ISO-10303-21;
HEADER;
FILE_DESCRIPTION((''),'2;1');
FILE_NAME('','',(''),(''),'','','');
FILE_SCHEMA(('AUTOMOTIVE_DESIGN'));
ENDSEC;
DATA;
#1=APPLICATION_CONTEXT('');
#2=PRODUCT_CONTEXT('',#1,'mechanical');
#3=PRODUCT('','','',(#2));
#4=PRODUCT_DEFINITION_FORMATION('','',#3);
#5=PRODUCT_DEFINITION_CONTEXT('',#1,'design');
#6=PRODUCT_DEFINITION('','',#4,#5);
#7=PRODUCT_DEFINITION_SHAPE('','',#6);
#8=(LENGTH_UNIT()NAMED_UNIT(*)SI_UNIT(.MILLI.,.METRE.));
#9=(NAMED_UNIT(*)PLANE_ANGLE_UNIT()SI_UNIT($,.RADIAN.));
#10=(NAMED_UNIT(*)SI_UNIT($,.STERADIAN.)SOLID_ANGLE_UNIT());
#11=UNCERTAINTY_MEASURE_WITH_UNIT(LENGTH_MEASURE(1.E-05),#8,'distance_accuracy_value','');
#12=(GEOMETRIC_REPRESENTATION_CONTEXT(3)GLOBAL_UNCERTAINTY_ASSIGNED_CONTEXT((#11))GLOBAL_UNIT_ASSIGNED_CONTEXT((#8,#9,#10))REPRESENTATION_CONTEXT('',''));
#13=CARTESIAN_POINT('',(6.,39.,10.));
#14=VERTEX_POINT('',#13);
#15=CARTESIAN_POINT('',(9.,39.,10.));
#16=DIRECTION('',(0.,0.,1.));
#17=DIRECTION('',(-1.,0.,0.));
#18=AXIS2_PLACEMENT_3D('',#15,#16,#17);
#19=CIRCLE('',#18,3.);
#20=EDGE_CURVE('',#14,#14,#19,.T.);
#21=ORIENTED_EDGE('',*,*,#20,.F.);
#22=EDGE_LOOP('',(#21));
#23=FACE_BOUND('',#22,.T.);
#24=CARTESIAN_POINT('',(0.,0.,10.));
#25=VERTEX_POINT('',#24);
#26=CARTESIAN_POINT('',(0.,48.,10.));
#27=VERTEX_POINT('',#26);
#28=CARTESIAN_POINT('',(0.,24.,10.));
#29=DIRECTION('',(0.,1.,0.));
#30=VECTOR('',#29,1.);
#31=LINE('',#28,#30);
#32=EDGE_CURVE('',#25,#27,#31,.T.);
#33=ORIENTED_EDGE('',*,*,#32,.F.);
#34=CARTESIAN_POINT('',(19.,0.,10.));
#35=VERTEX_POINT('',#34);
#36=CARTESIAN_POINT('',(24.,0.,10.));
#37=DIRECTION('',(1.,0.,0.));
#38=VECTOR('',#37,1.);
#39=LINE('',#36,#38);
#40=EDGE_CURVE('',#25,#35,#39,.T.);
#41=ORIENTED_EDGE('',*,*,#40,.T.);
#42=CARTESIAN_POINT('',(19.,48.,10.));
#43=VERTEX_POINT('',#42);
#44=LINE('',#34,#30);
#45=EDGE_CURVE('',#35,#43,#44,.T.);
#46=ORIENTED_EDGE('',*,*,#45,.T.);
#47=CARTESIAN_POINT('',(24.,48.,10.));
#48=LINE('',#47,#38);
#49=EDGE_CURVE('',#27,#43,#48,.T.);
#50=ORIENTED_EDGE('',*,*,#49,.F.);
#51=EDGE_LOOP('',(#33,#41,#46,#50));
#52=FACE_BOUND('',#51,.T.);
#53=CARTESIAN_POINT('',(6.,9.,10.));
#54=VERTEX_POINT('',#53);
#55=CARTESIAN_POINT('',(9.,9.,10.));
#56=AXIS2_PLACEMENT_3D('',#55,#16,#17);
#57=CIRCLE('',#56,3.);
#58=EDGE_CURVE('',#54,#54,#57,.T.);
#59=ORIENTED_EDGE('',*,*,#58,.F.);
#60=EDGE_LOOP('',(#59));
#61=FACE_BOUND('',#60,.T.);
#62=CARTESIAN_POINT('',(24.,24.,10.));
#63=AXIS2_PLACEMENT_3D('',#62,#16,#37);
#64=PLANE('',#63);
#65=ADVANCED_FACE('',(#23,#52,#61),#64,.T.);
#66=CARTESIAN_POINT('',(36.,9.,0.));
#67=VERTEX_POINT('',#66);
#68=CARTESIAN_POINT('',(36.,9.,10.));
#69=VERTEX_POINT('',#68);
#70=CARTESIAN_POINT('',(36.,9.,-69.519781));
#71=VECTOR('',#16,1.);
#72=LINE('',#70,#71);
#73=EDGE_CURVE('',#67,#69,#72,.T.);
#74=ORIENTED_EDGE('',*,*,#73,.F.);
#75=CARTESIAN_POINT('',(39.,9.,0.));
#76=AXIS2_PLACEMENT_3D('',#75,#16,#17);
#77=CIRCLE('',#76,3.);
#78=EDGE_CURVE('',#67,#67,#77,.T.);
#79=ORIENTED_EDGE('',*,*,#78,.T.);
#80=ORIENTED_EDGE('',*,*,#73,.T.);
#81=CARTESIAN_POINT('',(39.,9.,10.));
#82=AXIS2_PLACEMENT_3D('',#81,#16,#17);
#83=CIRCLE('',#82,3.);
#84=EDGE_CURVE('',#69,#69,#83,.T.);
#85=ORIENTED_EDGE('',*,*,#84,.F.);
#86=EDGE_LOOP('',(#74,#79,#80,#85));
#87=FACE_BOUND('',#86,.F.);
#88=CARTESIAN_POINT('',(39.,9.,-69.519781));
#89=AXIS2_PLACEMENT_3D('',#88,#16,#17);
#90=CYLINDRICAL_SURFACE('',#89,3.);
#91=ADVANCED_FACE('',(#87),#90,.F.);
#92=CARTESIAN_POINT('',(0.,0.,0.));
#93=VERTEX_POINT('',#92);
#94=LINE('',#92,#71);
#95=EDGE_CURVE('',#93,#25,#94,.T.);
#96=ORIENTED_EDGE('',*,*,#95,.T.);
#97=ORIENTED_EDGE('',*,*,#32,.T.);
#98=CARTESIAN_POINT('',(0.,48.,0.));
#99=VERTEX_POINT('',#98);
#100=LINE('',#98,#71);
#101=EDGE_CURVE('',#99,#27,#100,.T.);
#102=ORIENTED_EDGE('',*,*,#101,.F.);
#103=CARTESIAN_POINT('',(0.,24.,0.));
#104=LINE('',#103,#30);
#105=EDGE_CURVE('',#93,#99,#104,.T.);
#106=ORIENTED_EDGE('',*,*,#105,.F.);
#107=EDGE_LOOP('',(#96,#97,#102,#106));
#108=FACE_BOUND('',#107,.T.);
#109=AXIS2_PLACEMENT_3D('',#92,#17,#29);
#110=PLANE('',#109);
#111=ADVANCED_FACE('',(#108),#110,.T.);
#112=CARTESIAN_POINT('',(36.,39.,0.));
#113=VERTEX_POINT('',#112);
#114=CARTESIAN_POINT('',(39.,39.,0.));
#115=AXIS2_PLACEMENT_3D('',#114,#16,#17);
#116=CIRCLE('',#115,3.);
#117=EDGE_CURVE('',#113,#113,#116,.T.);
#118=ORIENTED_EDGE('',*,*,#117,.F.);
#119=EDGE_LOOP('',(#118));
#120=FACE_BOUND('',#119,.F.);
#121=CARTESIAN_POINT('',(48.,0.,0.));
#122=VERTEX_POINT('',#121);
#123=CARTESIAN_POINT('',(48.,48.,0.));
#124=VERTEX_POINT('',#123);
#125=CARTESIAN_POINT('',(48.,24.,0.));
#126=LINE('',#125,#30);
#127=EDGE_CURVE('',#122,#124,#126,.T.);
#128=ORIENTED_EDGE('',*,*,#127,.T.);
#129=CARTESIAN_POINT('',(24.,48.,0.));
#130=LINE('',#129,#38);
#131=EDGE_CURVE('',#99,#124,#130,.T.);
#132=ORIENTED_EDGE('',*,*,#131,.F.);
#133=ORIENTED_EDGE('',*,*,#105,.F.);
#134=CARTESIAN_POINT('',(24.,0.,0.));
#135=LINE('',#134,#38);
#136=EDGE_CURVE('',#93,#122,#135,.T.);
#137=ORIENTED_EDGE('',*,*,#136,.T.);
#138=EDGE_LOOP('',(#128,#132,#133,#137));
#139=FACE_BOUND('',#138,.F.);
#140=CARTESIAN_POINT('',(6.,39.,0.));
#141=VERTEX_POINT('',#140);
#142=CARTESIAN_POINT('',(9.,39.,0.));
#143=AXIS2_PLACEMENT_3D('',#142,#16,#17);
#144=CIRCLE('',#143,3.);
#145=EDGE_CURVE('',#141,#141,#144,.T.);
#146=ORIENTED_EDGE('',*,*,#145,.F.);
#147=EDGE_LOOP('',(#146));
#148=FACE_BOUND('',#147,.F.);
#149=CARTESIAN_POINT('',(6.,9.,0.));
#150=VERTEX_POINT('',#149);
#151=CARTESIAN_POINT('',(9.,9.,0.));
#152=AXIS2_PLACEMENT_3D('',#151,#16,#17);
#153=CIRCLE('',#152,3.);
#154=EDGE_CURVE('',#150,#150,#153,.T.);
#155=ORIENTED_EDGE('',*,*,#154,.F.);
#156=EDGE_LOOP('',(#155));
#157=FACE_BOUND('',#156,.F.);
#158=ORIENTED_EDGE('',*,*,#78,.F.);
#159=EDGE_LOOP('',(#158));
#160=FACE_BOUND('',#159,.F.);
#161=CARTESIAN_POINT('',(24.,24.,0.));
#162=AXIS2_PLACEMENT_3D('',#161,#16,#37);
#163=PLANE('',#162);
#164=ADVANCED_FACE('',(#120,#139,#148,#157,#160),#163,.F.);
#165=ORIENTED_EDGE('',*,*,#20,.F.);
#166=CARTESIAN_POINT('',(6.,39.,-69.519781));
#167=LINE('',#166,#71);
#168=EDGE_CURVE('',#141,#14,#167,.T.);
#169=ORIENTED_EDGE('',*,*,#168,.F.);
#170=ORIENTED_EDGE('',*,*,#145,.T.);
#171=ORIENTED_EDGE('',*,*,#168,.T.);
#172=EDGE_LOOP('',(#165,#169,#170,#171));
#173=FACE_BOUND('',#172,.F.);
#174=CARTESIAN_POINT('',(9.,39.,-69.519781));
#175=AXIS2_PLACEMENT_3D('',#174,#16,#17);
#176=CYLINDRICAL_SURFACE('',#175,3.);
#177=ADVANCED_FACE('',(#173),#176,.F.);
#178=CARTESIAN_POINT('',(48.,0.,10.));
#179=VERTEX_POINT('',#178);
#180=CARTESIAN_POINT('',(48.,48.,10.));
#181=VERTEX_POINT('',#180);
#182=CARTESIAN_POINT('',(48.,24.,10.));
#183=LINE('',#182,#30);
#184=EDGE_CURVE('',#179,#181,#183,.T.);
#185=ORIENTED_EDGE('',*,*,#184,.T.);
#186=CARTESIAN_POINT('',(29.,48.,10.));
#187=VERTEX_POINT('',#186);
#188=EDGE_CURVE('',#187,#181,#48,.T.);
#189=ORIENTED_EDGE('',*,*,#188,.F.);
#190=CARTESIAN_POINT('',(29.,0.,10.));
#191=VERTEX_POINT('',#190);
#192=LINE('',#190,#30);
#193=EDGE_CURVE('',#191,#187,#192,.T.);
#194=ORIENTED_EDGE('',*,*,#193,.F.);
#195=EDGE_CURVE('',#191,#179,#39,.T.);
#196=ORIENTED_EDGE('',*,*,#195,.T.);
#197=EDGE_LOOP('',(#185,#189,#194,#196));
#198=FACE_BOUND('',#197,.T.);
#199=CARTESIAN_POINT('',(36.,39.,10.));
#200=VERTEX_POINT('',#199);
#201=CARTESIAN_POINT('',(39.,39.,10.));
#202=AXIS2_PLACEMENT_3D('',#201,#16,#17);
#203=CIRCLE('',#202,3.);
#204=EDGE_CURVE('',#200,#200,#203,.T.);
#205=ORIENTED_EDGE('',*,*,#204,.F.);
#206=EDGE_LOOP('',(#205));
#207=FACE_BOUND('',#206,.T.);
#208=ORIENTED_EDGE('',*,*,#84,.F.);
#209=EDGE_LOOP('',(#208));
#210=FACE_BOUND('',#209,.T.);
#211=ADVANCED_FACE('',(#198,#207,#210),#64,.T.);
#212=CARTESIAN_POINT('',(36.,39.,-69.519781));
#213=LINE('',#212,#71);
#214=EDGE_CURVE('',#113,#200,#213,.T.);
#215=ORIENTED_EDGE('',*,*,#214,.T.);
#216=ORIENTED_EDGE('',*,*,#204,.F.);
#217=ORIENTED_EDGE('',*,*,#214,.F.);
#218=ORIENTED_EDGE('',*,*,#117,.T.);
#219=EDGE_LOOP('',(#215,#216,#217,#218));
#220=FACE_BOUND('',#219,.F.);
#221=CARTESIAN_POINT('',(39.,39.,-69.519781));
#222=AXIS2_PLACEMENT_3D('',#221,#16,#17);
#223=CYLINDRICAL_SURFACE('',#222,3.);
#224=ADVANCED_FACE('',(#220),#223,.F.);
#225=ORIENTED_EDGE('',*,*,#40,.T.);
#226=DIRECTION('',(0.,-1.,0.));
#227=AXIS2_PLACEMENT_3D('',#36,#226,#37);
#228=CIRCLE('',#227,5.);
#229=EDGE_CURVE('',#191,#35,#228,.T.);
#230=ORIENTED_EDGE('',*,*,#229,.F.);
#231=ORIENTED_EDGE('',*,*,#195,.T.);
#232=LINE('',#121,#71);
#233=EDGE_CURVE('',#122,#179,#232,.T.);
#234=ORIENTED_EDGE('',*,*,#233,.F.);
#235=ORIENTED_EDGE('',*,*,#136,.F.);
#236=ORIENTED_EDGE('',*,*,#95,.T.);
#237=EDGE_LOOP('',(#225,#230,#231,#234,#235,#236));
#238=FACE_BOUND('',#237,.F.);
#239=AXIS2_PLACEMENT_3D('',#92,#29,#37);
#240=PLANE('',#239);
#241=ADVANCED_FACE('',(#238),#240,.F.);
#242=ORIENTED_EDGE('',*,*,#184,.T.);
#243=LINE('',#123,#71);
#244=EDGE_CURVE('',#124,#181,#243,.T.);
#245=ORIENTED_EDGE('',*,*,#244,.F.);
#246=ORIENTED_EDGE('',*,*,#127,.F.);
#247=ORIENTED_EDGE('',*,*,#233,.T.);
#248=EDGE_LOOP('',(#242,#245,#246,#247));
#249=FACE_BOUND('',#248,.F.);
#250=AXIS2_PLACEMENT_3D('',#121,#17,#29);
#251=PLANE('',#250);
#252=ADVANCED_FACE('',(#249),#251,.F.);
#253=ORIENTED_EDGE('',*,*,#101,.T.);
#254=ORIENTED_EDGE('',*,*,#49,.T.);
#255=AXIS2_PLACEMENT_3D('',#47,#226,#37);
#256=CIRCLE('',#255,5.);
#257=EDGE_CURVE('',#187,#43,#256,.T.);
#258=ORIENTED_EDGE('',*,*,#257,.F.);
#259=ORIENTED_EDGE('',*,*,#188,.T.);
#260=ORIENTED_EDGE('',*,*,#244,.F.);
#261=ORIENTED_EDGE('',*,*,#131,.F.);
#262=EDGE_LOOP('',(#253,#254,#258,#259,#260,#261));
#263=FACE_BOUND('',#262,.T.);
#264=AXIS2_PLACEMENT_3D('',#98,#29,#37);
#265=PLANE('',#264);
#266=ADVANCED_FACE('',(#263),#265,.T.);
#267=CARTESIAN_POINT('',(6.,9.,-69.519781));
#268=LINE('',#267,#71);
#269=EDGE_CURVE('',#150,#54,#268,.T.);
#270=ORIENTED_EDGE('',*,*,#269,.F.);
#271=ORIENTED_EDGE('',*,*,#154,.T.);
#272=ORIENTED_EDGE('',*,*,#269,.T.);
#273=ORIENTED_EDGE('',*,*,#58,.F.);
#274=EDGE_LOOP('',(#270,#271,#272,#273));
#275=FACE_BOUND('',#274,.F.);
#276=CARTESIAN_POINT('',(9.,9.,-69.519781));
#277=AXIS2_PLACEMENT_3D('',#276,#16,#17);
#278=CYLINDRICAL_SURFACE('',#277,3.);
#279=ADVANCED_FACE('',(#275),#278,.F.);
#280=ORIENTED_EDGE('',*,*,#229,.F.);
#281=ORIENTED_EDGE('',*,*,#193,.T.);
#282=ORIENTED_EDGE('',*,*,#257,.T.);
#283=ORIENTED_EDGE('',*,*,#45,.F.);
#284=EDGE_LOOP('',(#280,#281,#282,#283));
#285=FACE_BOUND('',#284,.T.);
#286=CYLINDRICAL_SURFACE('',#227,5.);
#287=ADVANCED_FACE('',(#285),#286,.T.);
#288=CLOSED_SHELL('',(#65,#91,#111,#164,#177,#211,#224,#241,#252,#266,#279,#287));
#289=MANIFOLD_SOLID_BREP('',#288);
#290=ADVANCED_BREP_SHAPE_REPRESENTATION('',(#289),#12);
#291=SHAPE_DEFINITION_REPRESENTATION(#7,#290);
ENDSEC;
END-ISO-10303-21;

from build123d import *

# Parameters (mm, degrees)
F0_W     = 48
F0_H     = 48
F1_DEPTH = 10
F3_DEPTH = 48
F5_D     = 6


with BuildPart() as f1:
    # F0 (on Top) → F1 (new body)
    with BuildSketch(Plane.XY):
        with Locations((24, 24)):
            Rectangle(F0_W, F0_H)
    extrude(amount=F1_DEPTH)

    # F2 (on face) → F3 (join, through all)
    with BuildSketch(Plane.XZ):
        with BuildLine():
            Line((19, 10), (29, 10))
            ThreePointArc((29, 10), (24, 15), (19, 10))
        make_face()
    extrude(amount=-F3_DEPTH)

    # F5 (through all)
    with Locations(Plane(origin=(0, 0, 0), x_dir=(1, 0, 0), z_dir=(0, 0, -1))):
        with Locations((9, -9), (9, -39), (39, -39), (39, -9)):
            Hole(F5_D / 2)


solid = f1.part
